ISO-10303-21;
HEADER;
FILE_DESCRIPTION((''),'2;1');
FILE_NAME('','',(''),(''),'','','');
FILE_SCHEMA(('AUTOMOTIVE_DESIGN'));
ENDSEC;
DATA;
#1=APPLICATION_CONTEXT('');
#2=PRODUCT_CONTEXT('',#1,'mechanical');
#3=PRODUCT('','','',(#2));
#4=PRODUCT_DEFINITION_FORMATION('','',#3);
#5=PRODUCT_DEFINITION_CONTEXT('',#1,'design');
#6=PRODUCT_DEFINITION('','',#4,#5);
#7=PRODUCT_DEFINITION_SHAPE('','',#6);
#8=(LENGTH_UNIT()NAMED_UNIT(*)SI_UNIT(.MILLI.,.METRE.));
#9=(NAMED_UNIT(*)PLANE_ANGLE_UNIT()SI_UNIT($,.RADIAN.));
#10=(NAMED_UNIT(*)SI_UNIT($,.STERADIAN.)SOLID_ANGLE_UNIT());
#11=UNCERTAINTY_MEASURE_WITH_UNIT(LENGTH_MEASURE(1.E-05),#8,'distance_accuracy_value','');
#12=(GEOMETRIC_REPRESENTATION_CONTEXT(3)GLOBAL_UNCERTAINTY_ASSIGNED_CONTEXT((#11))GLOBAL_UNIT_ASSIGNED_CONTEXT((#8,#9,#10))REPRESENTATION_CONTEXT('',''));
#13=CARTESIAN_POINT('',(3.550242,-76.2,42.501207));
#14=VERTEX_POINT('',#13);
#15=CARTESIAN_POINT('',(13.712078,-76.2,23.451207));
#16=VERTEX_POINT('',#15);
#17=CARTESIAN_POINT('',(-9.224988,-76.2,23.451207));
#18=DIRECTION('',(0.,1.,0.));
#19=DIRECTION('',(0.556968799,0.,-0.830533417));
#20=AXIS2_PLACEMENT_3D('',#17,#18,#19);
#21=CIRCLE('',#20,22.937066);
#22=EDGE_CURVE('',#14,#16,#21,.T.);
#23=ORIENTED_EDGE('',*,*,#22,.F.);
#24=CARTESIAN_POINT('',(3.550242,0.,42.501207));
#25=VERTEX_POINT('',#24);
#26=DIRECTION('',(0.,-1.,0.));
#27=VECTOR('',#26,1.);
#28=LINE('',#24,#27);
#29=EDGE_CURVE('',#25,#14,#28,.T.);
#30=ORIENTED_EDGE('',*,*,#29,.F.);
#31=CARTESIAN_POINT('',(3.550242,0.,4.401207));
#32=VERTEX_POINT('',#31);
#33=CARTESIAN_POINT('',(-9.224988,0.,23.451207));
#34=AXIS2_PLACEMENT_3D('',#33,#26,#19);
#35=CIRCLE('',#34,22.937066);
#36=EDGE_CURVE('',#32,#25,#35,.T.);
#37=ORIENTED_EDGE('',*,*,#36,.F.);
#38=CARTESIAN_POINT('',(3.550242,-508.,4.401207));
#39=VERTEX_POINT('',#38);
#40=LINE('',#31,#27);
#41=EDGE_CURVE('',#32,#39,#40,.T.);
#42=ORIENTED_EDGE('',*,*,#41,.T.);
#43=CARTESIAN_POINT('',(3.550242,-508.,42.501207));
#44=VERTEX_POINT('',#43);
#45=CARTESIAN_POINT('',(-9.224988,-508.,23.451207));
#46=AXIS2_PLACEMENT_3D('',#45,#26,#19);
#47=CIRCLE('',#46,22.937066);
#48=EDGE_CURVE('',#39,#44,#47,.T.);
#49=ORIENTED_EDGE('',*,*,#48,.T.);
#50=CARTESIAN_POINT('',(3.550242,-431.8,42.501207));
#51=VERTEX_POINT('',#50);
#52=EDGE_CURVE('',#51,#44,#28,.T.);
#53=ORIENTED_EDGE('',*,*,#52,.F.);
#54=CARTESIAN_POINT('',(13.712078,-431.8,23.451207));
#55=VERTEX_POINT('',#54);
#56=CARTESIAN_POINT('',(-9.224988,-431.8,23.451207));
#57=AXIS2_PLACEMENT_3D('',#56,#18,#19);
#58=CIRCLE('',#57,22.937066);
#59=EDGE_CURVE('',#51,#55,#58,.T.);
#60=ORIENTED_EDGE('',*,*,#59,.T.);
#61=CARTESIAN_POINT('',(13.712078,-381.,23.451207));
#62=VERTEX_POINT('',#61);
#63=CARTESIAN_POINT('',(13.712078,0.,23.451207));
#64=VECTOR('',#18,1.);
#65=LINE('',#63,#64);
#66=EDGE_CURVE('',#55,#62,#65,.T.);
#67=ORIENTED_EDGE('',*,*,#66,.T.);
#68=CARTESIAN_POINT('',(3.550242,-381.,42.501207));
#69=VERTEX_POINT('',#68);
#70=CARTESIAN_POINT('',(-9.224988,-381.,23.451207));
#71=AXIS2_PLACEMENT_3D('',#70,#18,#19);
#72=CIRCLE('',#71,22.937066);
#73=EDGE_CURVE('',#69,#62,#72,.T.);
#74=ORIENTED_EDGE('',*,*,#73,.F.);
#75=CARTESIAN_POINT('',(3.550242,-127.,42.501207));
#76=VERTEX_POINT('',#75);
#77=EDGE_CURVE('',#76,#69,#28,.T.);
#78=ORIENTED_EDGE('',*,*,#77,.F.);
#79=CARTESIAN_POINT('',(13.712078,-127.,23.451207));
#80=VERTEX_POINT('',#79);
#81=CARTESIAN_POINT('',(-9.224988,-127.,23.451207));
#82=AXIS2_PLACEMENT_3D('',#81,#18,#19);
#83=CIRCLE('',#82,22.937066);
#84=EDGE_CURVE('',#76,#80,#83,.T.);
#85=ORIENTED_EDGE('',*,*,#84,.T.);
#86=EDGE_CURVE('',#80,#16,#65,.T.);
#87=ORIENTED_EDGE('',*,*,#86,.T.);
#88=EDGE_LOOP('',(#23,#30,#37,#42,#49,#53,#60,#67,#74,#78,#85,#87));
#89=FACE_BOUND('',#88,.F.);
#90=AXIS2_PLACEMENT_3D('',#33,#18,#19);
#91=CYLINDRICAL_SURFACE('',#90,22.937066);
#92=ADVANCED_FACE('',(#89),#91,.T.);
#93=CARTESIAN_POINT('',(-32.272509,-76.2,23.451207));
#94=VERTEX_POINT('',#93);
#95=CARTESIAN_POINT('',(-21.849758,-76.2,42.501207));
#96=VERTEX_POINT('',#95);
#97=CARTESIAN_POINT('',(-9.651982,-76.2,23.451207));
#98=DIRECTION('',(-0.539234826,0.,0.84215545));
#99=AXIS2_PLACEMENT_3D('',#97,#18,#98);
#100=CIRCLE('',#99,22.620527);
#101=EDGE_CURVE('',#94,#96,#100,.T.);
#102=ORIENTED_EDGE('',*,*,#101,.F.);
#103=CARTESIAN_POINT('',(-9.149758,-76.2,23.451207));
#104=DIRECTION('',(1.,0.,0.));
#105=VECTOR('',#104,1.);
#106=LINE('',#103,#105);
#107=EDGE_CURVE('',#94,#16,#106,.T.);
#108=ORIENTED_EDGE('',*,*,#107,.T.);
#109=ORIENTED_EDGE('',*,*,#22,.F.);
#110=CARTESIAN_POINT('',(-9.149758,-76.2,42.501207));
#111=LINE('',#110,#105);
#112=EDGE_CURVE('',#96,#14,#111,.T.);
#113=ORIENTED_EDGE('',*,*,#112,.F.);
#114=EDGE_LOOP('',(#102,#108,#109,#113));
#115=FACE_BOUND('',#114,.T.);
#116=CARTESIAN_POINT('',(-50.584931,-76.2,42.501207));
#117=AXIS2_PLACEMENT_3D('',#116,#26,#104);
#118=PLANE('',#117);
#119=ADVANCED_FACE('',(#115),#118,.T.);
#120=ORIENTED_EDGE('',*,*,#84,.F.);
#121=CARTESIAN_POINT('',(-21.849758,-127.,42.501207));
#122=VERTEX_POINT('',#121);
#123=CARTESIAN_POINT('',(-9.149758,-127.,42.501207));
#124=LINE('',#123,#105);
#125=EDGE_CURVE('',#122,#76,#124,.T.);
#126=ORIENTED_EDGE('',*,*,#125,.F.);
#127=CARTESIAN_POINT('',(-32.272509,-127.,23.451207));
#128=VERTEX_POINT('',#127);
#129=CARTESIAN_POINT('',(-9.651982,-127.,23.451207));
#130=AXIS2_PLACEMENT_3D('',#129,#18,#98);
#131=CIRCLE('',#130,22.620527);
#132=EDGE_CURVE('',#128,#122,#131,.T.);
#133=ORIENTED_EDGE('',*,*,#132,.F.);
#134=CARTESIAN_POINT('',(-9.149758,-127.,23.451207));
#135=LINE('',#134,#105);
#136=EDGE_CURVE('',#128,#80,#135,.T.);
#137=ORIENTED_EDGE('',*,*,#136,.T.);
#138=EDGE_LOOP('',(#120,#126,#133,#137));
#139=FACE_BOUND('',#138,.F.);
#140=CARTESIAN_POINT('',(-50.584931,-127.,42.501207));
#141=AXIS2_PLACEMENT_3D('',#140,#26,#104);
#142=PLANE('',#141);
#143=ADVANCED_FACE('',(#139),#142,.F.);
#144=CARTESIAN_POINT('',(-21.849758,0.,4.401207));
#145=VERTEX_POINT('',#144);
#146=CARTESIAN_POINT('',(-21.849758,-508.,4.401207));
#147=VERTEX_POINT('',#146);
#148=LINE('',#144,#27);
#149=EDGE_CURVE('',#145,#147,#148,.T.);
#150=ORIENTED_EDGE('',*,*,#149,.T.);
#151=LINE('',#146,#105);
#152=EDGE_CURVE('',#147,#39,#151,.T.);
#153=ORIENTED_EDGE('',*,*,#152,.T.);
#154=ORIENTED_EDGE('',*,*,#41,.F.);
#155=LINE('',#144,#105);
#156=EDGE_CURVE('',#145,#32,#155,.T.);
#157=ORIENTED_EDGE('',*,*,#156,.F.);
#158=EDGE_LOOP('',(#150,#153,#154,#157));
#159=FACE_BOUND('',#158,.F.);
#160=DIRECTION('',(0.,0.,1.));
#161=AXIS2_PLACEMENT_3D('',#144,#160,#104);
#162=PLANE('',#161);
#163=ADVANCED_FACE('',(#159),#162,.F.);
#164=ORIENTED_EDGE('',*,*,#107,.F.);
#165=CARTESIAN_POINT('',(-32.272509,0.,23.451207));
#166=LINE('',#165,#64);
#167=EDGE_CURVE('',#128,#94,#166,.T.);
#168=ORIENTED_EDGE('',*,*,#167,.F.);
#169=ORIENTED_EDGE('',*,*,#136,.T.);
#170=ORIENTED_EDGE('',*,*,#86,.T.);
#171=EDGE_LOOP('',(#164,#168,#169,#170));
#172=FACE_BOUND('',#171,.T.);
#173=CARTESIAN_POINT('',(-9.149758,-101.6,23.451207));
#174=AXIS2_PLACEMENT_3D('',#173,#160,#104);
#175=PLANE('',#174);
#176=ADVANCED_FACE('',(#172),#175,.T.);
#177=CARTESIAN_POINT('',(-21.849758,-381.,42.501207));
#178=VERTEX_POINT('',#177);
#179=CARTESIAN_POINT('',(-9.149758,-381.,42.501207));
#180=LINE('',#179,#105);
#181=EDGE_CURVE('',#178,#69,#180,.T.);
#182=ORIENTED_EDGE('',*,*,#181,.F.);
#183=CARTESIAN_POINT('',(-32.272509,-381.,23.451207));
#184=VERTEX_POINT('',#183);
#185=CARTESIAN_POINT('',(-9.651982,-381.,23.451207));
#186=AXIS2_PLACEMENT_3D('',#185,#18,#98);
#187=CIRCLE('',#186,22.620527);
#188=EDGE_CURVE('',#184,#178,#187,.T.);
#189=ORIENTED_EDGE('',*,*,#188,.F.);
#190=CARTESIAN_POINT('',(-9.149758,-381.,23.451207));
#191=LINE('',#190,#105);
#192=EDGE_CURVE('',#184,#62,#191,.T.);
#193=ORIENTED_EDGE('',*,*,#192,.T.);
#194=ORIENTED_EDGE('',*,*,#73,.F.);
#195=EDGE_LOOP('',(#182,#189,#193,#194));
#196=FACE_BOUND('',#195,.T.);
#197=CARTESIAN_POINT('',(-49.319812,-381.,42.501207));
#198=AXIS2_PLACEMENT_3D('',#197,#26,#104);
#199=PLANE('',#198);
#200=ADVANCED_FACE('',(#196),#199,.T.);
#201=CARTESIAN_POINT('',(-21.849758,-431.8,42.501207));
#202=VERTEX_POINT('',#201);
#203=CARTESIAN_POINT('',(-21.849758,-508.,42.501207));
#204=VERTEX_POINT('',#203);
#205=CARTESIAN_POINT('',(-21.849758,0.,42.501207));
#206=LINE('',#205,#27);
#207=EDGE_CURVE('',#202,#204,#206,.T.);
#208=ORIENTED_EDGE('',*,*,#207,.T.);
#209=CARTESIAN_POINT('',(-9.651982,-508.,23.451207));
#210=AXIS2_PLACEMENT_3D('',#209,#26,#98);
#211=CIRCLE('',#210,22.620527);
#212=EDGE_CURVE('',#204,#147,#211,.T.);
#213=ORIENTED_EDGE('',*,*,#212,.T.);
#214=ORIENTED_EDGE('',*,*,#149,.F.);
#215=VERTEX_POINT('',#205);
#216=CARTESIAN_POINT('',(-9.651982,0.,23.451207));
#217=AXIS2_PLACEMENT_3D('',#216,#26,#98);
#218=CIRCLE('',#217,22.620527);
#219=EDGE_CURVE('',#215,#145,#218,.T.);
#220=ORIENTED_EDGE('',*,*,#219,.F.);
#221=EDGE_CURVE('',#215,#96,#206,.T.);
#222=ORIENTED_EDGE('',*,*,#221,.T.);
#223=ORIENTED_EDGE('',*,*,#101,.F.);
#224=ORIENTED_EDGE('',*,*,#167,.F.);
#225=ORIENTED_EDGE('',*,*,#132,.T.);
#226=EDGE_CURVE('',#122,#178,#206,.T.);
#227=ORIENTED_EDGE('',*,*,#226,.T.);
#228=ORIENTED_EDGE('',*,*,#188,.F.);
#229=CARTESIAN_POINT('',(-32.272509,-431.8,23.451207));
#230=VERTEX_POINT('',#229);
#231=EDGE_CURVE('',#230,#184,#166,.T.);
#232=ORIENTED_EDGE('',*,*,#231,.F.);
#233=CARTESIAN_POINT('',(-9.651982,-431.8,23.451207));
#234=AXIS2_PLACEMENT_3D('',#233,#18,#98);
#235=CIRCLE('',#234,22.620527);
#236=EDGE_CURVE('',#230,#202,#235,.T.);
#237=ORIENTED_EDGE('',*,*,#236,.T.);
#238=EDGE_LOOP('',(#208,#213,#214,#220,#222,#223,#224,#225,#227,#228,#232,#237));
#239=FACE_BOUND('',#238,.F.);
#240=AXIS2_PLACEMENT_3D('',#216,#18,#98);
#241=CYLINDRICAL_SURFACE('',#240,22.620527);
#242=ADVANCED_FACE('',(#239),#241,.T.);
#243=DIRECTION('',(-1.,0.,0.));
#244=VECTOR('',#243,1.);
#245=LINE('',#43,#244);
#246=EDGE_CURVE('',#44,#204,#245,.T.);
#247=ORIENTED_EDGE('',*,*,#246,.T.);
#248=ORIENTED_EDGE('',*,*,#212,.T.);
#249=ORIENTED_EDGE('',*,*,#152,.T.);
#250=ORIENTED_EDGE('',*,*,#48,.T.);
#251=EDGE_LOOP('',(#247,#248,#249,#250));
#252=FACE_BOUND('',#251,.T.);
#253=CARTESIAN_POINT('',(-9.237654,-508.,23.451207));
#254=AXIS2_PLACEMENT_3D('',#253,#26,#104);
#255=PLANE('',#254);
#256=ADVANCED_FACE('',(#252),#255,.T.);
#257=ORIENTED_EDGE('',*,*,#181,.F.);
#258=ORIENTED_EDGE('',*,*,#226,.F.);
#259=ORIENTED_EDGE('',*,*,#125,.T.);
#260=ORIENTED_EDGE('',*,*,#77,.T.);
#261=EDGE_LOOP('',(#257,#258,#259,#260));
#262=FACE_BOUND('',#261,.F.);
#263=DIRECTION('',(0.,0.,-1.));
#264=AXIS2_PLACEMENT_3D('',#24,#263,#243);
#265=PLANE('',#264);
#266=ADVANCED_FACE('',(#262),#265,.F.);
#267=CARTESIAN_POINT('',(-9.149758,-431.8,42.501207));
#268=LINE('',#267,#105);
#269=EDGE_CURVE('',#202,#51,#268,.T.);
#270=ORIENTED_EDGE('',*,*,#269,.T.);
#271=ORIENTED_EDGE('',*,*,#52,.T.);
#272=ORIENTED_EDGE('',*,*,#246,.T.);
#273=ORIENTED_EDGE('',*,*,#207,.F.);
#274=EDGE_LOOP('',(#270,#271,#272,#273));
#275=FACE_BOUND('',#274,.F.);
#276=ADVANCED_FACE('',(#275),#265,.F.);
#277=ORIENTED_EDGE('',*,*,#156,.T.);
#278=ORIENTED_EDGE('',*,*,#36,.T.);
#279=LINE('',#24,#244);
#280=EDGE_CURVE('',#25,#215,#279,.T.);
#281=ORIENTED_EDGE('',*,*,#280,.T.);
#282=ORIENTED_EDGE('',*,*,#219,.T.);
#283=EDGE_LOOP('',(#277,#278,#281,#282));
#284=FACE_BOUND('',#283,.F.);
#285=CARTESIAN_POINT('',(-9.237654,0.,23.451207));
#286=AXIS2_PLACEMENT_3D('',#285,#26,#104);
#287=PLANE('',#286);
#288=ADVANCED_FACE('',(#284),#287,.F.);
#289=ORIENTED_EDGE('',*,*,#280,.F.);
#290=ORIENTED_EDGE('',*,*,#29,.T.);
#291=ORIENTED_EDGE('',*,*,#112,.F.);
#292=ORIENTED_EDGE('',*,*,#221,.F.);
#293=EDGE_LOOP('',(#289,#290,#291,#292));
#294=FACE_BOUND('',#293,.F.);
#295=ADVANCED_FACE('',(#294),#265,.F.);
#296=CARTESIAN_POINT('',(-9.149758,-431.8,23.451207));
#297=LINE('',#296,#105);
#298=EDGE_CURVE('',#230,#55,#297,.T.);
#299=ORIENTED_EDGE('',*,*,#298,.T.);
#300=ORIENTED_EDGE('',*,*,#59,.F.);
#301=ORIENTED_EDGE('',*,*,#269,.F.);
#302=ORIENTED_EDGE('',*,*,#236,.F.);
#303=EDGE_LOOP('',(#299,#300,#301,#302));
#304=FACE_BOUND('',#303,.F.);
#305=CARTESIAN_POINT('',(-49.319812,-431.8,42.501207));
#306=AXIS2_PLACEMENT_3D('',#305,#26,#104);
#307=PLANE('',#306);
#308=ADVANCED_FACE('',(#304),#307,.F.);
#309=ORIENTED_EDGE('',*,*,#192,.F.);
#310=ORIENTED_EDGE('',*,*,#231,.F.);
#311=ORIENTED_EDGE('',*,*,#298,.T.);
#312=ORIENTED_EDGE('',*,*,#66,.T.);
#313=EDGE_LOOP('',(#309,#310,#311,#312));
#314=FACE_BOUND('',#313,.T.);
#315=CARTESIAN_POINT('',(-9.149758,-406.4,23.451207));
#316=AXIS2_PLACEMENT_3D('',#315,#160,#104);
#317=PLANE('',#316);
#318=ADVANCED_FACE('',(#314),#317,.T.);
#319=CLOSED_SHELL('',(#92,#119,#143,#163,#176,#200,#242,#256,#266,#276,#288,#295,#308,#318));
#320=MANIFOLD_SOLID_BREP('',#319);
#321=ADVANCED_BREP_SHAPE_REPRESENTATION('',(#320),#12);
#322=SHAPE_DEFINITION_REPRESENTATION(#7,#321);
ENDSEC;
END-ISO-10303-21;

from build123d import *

# Parameters (mm, degrees)
F1_DEPTH = 508
F2_W     = 80.340108
F2_H     = 50.8
F2_W_2   = 82.870346
F3_DEPTH = 19.05


with BuildPart() as f1:
    # F0 (on Front) → F1 (new body)
    with BuildSketch(Plane.XZ):
        with BuildLine():
            Line((3.550242, 42.501207), (-21.849758, 42.501207))
            ThreePointArc((-21.849758, 42.501207), (-32.272509, 23.451207), (-21.849758, 4.401207))
            Line((-21.849758, 4.401207), (3.550242, 4.401207))
            ThreePointArc((3.550242, 4.401207), (13.712078, 23.451207), (3.550242, 42.501207))
        make_face()
    extrude(amount=F1_DEPTH)

    # F2 (on face) → F3 (cut)
    with BuildSketch(Plane.XY.offset(42.501207)):
        with Locations((-9.149758, -406.4)):
            Rectangle(F2_W, F2_H)
        with Locations((-9.149758, -101.6)):
            Rectangle(F2_W_2, F2_H)
    extrude(amount=-F3_DEPTH, mode=Mode.SUBTRACT)


solid = f1.part
